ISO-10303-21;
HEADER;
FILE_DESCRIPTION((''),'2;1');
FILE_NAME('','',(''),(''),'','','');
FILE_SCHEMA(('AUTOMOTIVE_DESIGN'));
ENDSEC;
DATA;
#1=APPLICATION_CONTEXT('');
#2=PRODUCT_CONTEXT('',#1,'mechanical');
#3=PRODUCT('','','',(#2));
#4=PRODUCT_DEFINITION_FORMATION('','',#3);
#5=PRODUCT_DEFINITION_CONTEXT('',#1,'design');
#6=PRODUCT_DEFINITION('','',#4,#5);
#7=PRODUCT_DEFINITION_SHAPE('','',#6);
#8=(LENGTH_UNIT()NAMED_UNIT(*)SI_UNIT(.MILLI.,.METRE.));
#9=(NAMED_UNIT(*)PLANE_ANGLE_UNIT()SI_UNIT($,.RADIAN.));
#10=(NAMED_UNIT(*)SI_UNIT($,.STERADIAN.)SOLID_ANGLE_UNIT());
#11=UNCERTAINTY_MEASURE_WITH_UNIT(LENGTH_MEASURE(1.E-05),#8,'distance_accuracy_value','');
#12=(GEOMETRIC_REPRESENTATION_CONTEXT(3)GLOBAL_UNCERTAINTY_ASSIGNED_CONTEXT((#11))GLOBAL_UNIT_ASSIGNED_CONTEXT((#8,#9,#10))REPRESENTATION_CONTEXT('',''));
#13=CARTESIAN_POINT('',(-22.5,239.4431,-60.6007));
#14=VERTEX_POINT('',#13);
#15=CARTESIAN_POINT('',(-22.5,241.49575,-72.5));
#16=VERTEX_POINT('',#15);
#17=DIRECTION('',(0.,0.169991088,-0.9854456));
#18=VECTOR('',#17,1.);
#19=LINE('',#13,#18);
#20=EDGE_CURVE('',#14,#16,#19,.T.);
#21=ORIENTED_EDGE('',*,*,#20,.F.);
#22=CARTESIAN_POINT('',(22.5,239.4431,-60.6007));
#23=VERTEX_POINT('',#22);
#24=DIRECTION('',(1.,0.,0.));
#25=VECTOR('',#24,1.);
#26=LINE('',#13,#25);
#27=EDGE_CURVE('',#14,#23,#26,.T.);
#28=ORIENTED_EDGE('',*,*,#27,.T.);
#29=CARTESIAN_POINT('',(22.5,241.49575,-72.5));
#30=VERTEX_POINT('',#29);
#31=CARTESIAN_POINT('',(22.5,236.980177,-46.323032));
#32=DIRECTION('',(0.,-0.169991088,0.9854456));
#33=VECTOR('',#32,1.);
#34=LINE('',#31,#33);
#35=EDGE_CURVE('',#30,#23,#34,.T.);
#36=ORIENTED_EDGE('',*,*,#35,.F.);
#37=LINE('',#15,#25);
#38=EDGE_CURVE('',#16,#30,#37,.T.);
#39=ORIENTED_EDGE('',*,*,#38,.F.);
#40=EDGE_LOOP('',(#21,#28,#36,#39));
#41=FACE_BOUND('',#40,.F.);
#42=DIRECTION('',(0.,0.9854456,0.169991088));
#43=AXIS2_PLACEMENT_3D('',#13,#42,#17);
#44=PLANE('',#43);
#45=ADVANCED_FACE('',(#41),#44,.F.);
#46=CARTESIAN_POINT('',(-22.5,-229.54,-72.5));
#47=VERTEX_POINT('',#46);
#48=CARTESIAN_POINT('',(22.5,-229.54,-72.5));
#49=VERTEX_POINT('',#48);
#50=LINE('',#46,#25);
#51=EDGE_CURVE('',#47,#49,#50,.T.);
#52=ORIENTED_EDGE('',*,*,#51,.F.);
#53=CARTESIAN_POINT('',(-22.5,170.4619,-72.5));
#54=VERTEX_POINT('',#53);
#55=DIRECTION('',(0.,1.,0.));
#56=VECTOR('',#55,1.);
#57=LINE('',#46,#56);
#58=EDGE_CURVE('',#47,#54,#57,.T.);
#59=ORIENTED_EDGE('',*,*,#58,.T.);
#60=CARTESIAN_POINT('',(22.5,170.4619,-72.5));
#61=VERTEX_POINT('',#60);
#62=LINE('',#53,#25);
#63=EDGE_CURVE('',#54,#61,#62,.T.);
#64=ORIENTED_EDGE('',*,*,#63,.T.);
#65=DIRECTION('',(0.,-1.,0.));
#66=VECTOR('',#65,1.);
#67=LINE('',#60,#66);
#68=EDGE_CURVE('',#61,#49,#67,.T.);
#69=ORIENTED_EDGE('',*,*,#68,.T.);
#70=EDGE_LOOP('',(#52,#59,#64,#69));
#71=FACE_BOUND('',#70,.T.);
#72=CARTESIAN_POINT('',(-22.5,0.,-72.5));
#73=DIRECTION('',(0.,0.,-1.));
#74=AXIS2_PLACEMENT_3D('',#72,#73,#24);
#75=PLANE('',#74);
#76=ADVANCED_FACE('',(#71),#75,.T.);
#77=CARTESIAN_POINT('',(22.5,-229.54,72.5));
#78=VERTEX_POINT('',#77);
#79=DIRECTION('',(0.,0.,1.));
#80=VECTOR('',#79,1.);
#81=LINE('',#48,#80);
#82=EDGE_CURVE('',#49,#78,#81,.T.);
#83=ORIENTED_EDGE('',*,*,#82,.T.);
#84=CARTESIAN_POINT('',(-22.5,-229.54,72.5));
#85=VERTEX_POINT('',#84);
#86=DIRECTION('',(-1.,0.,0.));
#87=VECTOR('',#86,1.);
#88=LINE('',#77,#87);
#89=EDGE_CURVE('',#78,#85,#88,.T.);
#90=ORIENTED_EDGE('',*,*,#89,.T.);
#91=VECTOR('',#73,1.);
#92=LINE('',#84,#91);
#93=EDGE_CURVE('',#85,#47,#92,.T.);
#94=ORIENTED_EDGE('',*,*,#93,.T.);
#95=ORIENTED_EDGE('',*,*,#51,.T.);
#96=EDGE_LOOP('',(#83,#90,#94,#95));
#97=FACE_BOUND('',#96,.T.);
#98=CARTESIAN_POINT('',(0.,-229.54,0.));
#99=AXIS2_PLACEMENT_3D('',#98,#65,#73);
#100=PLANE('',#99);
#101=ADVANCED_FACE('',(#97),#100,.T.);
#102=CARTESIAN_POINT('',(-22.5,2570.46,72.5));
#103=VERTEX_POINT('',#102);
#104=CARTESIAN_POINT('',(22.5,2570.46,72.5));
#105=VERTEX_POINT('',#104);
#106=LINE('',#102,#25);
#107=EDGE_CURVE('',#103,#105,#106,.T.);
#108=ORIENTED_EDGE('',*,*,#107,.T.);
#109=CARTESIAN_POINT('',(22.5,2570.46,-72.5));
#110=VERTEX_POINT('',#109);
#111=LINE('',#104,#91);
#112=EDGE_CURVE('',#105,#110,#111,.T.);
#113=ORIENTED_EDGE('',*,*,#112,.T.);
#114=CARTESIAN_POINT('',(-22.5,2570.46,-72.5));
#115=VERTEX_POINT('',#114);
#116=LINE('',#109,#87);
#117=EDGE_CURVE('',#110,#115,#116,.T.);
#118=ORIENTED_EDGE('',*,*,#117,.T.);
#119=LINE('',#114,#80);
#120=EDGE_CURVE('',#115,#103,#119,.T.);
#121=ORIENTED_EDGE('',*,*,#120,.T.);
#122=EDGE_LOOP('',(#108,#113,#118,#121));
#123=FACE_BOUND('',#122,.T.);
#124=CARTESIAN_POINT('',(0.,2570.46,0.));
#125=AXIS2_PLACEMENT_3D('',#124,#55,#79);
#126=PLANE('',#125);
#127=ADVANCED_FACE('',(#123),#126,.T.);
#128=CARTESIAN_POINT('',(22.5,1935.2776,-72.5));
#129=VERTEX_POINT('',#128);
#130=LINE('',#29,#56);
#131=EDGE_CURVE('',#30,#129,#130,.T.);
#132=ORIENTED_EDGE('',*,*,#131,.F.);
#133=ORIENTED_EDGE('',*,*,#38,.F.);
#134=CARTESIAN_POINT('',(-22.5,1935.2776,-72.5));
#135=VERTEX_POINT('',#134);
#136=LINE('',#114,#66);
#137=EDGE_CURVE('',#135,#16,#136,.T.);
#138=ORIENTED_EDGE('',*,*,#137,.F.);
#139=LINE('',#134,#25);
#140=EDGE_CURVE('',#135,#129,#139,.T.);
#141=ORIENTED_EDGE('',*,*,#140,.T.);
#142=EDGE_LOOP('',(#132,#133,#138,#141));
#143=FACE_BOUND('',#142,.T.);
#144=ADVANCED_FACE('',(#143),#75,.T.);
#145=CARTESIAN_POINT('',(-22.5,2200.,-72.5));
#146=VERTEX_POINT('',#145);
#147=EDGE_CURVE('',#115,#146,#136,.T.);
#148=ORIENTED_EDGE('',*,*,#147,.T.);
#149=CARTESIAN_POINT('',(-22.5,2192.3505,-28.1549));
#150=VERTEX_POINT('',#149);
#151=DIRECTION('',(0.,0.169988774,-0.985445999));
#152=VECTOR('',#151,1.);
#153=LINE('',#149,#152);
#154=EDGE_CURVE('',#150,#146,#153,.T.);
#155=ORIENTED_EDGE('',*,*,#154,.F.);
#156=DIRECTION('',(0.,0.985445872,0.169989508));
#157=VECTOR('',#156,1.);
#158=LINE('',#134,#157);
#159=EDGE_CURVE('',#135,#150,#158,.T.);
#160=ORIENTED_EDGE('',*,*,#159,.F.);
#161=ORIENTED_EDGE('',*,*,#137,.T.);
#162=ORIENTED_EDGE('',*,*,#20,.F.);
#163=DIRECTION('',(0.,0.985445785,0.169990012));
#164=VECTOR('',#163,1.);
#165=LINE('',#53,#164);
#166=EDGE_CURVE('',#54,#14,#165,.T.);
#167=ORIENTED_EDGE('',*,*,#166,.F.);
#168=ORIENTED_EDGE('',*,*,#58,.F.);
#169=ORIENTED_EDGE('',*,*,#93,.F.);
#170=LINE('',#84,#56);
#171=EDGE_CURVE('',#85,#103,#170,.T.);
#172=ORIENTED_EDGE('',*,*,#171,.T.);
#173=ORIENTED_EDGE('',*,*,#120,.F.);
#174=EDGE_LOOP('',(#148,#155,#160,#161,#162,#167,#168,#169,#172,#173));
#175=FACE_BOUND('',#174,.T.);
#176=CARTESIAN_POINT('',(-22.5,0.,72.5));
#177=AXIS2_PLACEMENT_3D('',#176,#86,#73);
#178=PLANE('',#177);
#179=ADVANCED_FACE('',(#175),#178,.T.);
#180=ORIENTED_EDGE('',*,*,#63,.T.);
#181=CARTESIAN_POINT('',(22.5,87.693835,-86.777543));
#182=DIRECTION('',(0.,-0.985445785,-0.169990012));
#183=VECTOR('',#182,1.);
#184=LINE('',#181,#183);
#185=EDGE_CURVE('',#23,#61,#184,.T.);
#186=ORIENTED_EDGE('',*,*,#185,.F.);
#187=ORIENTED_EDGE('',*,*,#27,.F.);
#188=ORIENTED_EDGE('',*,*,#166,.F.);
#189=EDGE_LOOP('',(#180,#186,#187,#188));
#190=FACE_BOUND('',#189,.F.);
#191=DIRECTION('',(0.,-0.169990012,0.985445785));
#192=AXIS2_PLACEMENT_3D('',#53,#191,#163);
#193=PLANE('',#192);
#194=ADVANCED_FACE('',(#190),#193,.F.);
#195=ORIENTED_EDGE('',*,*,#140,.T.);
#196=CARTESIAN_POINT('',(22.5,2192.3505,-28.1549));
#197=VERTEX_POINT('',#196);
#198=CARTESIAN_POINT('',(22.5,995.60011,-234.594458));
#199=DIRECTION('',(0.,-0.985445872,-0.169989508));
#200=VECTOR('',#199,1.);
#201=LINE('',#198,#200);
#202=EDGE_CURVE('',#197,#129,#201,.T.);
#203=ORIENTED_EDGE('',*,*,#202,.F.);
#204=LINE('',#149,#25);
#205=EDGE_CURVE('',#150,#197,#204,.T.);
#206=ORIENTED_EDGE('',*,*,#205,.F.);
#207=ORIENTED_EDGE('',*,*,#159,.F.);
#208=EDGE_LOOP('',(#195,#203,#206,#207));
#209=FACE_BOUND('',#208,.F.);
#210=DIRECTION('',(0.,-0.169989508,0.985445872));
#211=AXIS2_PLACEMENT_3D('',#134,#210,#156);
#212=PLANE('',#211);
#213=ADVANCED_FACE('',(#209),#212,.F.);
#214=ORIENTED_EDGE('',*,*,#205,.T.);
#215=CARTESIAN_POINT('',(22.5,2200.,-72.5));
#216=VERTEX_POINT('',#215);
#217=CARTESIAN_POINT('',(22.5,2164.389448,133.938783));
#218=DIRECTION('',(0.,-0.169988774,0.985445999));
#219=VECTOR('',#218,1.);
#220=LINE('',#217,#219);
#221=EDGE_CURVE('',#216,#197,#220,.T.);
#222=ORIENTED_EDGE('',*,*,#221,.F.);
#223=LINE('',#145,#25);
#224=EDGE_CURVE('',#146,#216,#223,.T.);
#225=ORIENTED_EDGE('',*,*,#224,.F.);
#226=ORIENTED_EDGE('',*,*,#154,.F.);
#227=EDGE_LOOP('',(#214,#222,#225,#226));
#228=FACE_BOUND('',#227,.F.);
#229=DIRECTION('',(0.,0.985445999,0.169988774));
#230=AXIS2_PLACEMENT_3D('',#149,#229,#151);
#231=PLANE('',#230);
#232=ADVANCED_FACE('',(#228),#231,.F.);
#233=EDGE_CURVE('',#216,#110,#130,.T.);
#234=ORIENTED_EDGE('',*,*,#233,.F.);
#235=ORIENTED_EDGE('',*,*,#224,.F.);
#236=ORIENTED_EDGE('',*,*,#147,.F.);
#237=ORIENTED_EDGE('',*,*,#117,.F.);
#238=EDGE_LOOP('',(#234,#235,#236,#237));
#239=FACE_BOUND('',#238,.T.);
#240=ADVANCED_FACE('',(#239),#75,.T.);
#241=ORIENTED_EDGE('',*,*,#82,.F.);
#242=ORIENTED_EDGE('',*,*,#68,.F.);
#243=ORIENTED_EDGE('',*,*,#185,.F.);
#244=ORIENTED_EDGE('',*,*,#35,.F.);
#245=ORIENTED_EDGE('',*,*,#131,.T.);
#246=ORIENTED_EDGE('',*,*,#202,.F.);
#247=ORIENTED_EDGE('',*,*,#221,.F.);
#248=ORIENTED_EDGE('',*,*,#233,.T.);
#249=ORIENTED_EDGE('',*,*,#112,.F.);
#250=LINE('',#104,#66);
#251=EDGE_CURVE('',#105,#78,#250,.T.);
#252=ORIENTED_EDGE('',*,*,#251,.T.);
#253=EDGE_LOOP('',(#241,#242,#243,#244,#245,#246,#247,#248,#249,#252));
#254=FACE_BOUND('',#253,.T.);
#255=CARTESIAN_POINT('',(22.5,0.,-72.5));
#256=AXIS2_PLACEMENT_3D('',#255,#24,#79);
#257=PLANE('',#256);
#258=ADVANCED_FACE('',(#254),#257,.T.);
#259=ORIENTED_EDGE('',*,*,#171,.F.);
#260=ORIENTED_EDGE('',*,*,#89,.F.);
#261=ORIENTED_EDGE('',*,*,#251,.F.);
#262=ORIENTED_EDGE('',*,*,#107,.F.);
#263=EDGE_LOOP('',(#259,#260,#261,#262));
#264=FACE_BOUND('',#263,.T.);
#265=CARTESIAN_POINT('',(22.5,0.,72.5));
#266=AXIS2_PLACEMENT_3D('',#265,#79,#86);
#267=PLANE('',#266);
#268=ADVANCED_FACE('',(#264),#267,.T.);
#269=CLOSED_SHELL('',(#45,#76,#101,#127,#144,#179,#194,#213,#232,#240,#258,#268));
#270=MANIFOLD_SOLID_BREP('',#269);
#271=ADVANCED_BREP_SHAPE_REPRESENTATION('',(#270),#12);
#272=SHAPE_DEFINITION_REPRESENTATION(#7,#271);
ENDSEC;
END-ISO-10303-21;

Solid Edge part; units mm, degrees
sketch "Sketch1" plane through (0, 0, 0) normal (0, -1, 0) x (1, 0, 0)
  line L0 (-22.5, -72.5) -> (22.5, -72.5)
  line L1 (22.5, -72.5) -> (22.5, 72.5)
  line L2 (22.5, 72.5) -> (-22.5, 72.5)
  line L3 (-22.5, 72.5) -> (-22.5, -72.5)
extrude "Protrusion1" add sketch "Sketch1" against normal blind 2200
sketch "Sketch2" plane through (-22.5, 1172.7247, 0) normal (-1, 0, 0) x (0, 1, 0)
  line L0 (-1002.2628, 72.5) -> (-933.2816, 60.6007)
  line L1 (-933.2816, 60.6007) -> (-929.9001, 80.2034)
  line L2 (-929.9001, 80.2034) -> (-998.4381, 94.6725)
  line L3 (-998.4381, 94.6725) -> (-1002.2628, 72.5)
extrude "ExtrudedCutout_2" cut sketch "Sketch2" against normal blind 199.504
sketch "Sketch3" plane through (0, 0, 0) normal (0, -1, 0) x (1, 0, 0)
  line L0 (-22.5, -72.5) -> (22.5, -72.5)
  line L1 (22.5, -72.5) -> (22.5, 72.5)
  line L2 (22.5, 72.5) -> (-22.5, 72.5)
  line L3 (-22.5, 72.5) -> (-22.5, -72.5)
extrude "ExtrudedProtrusion_2" add sketch "Sketch3" along normal blind 229.54
sketch "Sketch4" plane through (0, 2200, 22.8323) normal (0, 1, 0) x (-1, 0, 0)
  line L0 (-22.5, -95.3323) -> (22.5, -95.3323)
  line L1 (22.5, -95.3323) -> (22.5, 49.6677)
  line L2 (22.5, 49.6677) -> (-22.5, 49.6677)
  line L3 (-22.5, 49.6677) -> (-22.5, -95.3323)
extrude "ExtrudedProtrusion_3" add sketch "Sketch4" along normal blind 370.46
sketch "Sketch5" plane through (-22.5, 1185.23, 0) normal (-1, 0, 0) x (0, -1, 0)
  line L0 (-1014.77, -72.5) -> (-750.0476, -72.5)
  line L1 (-750.0476, -72.5) -> (-1007.1205, -28.1549)
  line L2 (-1007.1205, -28.1549) -> (-1014.77, -72.5)
extrude "ExtrudedCutout_5" cut sketch "Sketch5" against normal blind 98.6618
properties material "Wood, Pine"
